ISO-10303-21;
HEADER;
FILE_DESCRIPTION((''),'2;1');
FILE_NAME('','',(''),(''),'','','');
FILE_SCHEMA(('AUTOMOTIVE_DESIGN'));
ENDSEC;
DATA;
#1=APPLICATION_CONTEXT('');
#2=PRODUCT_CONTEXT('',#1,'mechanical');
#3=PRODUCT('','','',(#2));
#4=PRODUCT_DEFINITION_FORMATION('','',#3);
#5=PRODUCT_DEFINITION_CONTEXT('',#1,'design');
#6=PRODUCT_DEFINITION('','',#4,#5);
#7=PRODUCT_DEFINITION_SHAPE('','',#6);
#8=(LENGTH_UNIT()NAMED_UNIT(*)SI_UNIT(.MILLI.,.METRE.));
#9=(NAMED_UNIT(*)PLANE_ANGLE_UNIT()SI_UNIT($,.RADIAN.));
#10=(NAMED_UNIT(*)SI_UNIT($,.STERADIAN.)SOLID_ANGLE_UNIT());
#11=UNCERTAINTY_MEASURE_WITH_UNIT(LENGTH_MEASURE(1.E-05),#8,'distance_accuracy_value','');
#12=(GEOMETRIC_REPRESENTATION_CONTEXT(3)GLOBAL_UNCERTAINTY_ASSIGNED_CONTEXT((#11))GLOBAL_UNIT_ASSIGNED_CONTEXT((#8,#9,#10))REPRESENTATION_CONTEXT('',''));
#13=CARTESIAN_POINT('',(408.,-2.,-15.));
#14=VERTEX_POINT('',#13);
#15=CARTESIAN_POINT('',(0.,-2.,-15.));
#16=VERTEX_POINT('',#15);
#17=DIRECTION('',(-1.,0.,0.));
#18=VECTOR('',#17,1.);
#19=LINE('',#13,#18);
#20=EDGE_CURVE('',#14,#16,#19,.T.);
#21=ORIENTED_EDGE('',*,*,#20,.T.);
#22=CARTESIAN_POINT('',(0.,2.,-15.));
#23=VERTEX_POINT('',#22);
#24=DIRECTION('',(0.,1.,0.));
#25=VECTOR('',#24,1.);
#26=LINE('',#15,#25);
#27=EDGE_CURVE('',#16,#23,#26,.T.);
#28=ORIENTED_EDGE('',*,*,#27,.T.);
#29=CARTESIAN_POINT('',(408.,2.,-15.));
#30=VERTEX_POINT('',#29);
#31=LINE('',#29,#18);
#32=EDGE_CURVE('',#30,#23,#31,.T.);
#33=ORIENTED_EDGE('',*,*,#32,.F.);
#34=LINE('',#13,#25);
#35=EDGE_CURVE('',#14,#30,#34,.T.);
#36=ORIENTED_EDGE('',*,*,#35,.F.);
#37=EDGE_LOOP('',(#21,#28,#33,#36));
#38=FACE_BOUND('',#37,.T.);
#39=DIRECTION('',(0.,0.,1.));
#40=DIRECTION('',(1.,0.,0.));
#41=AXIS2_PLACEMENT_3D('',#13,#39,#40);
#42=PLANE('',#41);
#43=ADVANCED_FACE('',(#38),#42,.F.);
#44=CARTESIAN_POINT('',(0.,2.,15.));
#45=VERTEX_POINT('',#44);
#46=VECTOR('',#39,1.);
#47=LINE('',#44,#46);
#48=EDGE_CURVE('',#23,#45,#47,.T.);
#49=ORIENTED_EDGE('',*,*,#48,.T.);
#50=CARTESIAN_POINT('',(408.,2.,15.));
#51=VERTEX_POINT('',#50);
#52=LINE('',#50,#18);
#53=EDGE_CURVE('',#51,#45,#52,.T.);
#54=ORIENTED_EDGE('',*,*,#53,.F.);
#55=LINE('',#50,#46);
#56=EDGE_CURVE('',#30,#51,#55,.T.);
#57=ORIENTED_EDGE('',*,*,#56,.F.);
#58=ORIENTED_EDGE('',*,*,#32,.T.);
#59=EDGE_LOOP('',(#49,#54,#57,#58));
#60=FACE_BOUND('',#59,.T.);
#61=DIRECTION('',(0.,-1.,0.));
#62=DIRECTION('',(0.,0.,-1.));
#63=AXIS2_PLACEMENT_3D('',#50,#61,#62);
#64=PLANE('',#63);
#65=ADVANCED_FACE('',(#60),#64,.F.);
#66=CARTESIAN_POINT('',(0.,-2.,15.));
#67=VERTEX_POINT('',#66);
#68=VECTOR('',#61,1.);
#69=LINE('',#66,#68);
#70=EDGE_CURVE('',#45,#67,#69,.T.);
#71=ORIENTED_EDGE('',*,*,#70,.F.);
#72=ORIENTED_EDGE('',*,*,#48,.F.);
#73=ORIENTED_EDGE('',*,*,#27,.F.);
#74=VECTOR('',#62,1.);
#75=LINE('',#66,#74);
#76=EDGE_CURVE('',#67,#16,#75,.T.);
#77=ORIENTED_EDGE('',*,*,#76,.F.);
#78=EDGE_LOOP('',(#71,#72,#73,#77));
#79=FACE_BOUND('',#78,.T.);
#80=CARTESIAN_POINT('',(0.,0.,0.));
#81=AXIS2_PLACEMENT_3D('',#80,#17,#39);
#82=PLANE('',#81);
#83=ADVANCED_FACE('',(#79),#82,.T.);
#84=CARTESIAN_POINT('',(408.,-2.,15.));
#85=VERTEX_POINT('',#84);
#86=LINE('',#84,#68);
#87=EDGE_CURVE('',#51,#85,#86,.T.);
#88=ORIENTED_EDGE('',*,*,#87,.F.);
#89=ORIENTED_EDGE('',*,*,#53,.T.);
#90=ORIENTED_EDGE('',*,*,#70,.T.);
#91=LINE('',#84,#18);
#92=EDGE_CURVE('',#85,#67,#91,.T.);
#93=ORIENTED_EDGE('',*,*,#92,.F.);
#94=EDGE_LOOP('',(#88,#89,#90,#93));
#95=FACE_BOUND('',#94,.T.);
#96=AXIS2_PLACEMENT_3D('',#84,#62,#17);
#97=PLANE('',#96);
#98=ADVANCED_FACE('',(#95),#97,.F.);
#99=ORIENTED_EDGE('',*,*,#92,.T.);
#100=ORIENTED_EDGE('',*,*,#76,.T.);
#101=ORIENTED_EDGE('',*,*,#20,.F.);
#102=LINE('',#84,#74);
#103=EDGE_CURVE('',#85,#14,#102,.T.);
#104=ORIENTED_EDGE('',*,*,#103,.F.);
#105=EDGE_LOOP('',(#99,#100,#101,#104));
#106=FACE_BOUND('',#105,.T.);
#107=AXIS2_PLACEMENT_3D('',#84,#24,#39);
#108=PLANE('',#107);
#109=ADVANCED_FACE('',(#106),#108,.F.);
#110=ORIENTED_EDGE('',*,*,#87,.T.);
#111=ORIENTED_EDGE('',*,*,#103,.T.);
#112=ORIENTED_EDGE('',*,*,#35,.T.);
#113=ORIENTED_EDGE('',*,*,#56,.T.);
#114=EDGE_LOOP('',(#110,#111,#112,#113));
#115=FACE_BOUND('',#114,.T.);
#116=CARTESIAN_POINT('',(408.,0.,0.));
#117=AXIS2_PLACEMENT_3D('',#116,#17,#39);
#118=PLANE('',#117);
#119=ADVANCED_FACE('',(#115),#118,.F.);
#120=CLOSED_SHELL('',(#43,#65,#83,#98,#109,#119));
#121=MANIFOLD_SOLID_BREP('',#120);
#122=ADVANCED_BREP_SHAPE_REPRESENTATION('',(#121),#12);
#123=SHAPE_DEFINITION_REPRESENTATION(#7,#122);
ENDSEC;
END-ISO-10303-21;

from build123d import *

# Parameters (mm, degrees)
SKETCH_1_W      = 30
SKETCH_1_H      = 4
EXTRUDE_1_DEPTH = 408


with BuildPart() as part:
    # Эскиз1 → Бобышка-Вытянуть1 (new body)
    with BuildSketch(Plane(origin=(0, 0, 0), x_dir=(0, 0, -1), z_dir=(1, 0, 0))):
        Rectangle(SKETCH_1_W, SKETCH_1_H)
    extrude(amount=EXTRUDE_1_DEPTH)


solid = part.part
